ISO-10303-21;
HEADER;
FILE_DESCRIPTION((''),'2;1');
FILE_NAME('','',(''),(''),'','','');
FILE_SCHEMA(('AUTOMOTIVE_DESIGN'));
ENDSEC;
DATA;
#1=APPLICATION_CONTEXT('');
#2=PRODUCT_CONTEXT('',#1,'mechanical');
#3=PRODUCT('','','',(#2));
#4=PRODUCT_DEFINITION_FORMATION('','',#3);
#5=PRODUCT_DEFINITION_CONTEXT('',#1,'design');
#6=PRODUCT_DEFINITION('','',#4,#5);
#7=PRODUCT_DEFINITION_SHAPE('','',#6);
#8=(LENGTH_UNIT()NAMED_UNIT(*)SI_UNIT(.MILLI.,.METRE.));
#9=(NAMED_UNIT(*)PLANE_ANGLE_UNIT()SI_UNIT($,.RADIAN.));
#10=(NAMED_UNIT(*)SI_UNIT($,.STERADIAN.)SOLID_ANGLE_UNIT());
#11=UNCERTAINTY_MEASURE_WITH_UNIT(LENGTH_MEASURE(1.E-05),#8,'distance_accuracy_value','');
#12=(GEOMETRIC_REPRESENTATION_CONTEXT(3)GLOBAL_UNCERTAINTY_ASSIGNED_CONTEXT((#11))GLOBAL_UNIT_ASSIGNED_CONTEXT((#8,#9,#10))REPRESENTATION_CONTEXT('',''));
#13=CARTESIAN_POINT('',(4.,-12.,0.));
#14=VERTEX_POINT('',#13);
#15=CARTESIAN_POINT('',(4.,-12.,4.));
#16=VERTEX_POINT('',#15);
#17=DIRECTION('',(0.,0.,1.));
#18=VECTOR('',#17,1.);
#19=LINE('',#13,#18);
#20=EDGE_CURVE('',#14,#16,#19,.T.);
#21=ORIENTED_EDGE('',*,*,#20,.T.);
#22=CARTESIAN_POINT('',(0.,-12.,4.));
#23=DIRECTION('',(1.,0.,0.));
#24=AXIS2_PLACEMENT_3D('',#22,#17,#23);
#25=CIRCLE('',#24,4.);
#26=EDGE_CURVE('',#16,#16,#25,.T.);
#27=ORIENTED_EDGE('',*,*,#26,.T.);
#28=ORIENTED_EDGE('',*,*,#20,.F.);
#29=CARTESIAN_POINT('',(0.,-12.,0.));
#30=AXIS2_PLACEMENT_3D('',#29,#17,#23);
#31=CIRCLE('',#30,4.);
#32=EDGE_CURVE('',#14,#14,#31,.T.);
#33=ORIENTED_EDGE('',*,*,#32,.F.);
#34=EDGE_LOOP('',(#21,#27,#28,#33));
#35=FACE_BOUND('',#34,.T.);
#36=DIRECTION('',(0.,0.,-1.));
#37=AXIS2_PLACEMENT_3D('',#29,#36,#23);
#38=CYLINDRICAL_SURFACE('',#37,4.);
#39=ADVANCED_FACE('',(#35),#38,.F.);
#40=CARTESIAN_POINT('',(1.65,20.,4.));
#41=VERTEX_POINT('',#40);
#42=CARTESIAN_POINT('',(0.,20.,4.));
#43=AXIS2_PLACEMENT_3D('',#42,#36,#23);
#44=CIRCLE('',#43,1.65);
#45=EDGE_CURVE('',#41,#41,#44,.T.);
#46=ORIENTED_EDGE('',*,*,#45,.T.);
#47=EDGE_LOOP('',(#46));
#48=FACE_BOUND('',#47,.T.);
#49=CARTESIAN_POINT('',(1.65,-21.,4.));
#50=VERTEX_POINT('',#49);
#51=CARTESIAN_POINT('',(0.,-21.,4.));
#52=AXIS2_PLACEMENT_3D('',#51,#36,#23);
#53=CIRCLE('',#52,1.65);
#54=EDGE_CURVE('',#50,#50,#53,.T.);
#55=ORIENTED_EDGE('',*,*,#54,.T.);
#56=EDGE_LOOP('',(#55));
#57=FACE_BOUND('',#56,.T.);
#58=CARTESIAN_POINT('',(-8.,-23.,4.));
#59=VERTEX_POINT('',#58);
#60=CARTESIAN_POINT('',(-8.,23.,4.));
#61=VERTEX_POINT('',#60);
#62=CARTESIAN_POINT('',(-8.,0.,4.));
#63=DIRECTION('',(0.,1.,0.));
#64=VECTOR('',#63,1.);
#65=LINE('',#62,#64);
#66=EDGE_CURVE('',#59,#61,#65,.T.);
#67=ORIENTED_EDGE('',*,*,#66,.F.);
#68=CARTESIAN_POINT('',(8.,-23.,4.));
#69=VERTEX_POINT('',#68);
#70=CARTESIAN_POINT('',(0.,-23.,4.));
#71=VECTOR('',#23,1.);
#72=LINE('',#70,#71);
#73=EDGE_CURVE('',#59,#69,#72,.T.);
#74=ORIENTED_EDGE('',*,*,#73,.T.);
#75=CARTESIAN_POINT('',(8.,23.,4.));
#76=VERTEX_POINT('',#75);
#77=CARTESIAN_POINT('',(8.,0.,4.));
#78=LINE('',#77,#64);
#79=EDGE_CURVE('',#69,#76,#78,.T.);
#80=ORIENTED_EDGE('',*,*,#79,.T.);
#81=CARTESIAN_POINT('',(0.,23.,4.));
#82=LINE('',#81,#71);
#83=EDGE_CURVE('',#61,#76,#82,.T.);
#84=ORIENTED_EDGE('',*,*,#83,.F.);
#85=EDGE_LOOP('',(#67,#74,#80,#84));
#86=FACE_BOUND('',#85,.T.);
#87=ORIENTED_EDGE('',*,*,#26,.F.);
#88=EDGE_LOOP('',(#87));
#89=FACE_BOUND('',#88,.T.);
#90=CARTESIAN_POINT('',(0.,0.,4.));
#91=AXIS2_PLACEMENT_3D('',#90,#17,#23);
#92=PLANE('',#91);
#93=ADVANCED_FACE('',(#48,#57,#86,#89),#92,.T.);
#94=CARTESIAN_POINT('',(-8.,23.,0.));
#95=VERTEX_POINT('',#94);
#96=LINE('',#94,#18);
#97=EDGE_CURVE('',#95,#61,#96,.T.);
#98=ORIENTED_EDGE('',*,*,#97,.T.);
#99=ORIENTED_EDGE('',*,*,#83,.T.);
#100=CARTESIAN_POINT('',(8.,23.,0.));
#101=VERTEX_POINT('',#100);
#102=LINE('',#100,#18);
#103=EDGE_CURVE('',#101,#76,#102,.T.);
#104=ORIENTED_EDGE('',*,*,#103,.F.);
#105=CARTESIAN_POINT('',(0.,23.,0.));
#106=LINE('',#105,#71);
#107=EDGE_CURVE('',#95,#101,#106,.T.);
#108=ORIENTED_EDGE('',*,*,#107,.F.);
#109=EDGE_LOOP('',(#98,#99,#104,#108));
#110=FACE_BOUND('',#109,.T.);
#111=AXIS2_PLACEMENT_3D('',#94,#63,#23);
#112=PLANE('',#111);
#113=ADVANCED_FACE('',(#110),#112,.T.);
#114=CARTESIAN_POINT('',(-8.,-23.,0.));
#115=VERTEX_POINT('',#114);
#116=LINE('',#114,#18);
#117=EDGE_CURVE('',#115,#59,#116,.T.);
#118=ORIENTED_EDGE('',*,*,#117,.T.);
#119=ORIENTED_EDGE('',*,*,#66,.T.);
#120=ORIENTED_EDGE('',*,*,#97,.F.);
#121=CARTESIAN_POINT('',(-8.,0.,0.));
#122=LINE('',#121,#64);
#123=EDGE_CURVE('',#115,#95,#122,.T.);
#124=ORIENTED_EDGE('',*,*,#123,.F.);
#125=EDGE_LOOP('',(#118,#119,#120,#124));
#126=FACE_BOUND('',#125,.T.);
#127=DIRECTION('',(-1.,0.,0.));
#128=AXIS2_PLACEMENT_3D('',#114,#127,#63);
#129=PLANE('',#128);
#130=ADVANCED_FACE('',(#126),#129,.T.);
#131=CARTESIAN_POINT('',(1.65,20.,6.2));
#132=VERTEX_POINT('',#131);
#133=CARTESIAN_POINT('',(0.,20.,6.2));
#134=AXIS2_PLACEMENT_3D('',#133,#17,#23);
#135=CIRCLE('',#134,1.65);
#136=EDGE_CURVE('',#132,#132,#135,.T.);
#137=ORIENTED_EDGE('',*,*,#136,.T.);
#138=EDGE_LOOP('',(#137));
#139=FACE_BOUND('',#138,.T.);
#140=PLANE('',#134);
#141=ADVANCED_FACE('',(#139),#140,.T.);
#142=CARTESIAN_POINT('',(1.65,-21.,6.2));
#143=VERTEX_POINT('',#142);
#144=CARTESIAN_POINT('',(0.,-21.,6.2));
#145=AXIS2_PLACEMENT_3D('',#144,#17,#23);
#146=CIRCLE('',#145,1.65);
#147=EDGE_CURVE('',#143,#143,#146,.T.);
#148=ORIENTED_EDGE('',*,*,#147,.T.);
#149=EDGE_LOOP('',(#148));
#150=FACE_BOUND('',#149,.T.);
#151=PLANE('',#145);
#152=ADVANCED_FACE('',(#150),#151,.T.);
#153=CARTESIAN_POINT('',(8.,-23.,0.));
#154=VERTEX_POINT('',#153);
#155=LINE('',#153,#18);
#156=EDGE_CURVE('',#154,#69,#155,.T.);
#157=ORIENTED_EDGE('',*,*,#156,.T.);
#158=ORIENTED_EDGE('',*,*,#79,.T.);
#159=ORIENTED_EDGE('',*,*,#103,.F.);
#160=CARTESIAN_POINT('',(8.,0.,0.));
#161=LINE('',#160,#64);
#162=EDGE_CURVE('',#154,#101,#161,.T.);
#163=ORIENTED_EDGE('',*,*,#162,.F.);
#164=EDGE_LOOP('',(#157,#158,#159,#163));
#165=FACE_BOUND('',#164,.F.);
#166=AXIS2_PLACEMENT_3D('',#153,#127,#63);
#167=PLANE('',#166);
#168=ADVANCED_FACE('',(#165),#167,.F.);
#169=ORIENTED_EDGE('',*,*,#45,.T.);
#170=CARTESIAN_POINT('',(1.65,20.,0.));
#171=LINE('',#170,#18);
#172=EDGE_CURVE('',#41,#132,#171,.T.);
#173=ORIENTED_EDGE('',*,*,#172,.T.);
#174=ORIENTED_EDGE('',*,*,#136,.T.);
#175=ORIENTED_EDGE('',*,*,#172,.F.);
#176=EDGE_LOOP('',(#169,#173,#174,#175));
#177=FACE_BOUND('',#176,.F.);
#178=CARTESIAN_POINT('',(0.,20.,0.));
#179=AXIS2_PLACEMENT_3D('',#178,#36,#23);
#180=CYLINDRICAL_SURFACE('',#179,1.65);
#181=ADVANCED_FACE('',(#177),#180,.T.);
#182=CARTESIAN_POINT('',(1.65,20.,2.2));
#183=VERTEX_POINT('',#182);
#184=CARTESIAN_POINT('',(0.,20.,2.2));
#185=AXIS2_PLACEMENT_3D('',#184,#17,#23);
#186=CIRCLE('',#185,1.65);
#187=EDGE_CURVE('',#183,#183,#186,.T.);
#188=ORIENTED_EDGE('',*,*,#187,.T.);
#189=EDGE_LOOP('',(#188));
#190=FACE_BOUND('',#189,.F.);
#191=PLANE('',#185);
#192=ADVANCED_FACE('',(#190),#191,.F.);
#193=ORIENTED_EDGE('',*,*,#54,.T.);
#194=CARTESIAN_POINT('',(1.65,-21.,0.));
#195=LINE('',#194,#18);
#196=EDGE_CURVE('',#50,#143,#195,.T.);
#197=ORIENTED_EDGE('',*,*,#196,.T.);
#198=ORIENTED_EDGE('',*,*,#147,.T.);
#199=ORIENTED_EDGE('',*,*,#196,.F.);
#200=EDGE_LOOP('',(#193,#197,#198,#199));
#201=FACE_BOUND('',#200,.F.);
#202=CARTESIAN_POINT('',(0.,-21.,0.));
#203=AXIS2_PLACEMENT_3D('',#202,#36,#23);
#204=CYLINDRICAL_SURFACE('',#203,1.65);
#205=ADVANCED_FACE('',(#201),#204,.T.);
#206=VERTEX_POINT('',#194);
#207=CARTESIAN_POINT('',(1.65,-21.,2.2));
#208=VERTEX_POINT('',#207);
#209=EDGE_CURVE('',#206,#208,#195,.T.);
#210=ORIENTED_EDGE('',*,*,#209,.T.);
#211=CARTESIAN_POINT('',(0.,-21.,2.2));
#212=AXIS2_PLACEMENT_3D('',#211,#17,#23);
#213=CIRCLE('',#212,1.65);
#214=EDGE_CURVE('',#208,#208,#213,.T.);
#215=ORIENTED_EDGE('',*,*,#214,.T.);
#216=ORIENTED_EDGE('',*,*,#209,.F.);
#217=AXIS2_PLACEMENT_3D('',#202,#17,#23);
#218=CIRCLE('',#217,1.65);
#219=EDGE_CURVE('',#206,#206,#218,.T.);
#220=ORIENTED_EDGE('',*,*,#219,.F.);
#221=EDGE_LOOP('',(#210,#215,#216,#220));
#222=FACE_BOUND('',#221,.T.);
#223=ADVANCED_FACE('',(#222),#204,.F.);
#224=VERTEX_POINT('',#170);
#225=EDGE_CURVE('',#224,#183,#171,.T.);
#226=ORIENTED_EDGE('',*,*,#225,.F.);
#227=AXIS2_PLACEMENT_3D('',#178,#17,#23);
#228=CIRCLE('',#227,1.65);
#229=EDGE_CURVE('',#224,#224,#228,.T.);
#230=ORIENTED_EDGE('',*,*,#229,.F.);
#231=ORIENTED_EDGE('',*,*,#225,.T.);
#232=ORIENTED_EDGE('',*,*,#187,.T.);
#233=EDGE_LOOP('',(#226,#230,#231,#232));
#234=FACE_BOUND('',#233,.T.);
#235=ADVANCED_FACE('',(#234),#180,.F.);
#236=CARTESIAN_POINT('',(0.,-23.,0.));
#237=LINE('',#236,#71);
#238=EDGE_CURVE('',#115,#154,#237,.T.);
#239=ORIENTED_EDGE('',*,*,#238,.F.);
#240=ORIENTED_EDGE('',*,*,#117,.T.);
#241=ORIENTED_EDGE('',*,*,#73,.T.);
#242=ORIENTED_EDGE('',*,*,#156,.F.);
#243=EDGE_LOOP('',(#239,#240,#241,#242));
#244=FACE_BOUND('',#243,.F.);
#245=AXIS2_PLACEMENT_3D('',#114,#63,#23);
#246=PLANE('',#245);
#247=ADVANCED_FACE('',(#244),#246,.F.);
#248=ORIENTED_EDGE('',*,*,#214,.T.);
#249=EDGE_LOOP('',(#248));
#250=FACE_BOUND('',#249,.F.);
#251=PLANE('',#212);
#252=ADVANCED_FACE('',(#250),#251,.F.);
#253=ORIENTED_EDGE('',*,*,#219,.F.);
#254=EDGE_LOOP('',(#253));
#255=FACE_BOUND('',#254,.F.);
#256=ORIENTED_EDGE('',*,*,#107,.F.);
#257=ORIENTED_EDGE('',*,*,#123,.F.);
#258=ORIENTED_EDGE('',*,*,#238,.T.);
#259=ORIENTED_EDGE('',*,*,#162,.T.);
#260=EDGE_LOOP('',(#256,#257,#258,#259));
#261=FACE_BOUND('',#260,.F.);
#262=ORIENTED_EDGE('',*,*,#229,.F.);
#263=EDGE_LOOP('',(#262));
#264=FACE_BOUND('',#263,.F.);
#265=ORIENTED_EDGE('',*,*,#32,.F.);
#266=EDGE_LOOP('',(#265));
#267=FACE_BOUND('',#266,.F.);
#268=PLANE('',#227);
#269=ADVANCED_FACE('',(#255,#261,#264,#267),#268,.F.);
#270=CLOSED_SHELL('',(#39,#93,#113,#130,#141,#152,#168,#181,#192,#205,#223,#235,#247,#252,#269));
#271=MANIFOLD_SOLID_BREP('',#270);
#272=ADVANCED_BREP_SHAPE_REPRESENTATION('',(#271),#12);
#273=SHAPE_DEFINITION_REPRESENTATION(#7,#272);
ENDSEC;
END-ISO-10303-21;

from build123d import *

# Parameters (mm, degrees)
F0_W     = 16
F0_H     = 46
F0_R     = 1.65
F0_R_2   = 4
F1_DEPTH = 4
F2_DEPTH = 6.2
F3_DEPTH = 2.2


with BuildPart() as f1:
    # F0 (on Top) → F1 (new body)
    with BuildSketch(Plane.XY):
        Rectangle(F0_W, F0_H)
        with Locations((0, -21)):
            Circle(F0_R, mode=Mode.SUBTRACT)
        with Locations((0, -12)):
            Circle(F0_R_2, mode=Mode.SUBTRACT)
        with Locations((0, 20)):
            Circle(F0_R, mode=Mode.SUBTRACT)
        with Locations((0, 20)):
            Circle(F0_R)
        with Locations((0, -21)):
            Circle(F0_R)
    extrude(amount=F1_DEPTH)

    # F0 (on Top) → F2 (join)
    with BuildSketch(Plane.XY):
        with Locations((0, 20)):
            Circle(F0_R)
        with Locations((0, -21)):
            Circle(F0_R)
    extrude(amount=F2_DEPTH)

    # F0 (on Top) → F3 (cut)
    with BuildSketch(Plane.XY):
        with Locations((0, -21)):
            Circle(F0_R)
        with Locations((0, 20)):
            Circle(F0_R)
    extrude(amount=F3_DEPTH, mode=Mode.SUBTRACT)


solid = f1.part
